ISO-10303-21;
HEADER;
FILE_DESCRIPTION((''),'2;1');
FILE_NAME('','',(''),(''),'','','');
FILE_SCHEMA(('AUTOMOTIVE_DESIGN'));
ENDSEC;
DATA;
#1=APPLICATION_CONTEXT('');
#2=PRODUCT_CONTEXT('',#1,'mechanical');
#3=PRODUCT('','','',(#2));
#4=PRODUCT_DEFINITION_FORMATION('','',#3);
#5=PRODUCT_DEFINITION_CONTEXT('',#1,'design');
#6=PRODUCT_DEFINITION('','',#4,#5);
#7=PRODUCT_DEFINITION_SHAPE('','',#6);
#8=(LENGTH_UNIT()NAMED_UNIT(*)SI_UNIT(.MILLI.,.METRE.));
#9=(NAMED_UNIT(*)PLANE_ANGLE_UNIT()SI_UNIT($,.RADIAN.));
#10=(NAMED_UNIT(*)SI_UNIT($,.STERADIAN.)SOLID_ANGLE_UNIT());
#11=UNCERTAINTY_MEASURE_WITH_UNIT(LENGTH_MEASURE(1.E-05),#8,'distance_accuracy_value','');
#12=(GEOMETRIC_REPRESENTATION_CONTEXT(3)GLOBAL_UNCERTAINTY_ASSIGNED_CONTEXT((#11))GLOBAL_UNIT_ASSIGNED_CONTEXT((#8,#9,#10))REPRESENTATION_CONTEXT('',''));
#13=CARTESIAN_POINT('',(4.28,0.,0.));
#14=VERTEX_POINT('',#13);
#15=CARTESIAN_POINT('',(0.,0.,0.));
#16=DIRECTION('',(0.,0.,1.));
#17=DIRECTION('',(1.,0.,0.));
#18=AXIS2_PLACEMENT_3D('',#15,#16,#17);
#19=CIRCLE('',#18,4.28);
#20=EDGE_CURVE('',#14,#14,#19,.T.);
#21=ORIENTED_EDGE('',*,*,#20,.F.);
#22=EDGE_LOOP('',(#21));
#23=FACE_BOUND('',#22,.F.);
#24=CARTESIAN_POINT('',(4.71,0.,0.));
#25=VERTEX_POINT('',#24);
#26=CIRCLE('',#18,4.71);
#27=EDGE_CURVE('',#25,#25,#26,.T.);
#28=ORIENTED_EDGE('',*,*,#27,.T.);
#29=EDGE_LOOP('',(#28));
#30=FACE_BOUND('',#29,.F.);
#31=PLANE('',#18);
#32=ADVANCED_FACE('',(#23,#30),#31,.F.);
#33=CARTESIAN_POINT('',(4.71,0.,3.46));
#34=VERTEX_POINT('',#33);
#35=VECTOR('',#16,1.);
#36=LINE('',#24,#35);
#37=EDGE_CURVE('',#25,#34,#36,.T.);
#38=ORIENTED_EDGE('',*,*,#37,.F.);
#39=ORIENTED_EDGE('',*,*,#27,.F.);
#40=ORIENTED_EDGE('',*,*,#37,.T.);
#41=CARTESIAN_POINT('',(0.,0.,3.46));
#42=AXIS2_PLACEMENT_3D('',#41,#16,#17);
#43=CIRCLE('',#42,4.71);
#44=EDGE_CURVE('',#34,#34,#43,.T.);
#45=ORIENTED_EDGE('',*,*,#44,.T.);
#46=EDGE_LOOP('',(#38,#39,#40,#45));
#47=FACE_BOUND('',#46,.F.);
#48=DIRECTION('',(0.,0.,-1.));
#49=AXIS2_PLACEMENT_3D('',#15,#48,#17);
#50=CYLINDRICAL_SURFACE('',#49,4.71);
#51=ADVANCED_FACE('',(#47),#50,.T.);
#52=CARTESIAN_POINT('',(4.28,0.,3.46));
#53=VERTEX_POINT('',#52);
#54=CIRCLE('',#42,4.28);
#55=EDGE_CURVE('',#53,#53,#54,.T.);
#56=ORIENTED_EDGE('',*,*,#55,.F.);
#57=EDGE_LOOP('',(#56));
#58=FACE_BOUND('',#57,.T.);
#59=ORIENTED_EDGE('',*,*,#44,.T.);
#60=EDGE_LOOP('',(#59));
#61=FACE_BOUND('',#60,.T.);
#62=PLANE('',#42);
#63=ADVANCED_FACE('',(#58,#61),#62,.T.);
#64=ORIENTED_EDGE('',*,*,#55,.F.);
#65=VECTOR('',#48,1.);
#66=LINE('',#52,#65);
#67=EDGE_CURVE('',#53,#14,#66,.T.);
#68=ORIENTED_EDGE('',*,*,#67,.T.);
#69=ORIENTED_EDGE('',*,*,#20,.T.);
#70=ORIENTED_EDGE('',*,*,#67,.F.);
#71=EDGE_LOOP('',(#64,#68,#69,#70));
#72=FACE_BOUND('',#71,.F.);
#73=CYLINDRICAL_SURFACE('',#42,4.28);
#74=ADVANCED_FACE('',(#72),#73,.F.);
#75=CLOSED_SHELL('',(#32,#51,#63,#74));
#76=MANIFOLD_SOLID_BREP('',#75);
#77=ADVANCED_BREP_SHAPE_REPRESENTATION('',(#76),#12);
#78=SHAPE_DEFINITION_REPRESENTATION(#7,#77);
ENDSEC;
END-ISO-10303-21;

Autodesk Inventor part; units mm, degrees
ref_plane "YZ Plane" through (0, 0, 0) normal (1, 0, 0) x (0, 1, 0)
ref_plane "XZ Plane" through (0, 0, 0) normal (0, 1, 0) x (-1, 0, 0)
ref_plane "XY Plane" through (0, 0, 0) normal (0, 0, 1) x (1, 0, 0)
sketch "Sketch1" plane through (0, 0, 0) normal (0, 0, 1) x (1, 0, 0)
  circle A0 centre (0, 0) radius 4.71
  dimension "d0" = 9.42
extrude "Extrusion1" add sketch "Sketch1" along normal blind 3.46
sketch "Sketch2" plane through (0, 0, 3.46) normal (0, 0, 1) x (1, 0, 0)
  circle A0 centre (0, 0) radius 4.28
  dimension "d3" = 8.56
extrude "Extrusion2" cut sketch "Sketch2" against normal through all
properties part number "MIRROR_G"
